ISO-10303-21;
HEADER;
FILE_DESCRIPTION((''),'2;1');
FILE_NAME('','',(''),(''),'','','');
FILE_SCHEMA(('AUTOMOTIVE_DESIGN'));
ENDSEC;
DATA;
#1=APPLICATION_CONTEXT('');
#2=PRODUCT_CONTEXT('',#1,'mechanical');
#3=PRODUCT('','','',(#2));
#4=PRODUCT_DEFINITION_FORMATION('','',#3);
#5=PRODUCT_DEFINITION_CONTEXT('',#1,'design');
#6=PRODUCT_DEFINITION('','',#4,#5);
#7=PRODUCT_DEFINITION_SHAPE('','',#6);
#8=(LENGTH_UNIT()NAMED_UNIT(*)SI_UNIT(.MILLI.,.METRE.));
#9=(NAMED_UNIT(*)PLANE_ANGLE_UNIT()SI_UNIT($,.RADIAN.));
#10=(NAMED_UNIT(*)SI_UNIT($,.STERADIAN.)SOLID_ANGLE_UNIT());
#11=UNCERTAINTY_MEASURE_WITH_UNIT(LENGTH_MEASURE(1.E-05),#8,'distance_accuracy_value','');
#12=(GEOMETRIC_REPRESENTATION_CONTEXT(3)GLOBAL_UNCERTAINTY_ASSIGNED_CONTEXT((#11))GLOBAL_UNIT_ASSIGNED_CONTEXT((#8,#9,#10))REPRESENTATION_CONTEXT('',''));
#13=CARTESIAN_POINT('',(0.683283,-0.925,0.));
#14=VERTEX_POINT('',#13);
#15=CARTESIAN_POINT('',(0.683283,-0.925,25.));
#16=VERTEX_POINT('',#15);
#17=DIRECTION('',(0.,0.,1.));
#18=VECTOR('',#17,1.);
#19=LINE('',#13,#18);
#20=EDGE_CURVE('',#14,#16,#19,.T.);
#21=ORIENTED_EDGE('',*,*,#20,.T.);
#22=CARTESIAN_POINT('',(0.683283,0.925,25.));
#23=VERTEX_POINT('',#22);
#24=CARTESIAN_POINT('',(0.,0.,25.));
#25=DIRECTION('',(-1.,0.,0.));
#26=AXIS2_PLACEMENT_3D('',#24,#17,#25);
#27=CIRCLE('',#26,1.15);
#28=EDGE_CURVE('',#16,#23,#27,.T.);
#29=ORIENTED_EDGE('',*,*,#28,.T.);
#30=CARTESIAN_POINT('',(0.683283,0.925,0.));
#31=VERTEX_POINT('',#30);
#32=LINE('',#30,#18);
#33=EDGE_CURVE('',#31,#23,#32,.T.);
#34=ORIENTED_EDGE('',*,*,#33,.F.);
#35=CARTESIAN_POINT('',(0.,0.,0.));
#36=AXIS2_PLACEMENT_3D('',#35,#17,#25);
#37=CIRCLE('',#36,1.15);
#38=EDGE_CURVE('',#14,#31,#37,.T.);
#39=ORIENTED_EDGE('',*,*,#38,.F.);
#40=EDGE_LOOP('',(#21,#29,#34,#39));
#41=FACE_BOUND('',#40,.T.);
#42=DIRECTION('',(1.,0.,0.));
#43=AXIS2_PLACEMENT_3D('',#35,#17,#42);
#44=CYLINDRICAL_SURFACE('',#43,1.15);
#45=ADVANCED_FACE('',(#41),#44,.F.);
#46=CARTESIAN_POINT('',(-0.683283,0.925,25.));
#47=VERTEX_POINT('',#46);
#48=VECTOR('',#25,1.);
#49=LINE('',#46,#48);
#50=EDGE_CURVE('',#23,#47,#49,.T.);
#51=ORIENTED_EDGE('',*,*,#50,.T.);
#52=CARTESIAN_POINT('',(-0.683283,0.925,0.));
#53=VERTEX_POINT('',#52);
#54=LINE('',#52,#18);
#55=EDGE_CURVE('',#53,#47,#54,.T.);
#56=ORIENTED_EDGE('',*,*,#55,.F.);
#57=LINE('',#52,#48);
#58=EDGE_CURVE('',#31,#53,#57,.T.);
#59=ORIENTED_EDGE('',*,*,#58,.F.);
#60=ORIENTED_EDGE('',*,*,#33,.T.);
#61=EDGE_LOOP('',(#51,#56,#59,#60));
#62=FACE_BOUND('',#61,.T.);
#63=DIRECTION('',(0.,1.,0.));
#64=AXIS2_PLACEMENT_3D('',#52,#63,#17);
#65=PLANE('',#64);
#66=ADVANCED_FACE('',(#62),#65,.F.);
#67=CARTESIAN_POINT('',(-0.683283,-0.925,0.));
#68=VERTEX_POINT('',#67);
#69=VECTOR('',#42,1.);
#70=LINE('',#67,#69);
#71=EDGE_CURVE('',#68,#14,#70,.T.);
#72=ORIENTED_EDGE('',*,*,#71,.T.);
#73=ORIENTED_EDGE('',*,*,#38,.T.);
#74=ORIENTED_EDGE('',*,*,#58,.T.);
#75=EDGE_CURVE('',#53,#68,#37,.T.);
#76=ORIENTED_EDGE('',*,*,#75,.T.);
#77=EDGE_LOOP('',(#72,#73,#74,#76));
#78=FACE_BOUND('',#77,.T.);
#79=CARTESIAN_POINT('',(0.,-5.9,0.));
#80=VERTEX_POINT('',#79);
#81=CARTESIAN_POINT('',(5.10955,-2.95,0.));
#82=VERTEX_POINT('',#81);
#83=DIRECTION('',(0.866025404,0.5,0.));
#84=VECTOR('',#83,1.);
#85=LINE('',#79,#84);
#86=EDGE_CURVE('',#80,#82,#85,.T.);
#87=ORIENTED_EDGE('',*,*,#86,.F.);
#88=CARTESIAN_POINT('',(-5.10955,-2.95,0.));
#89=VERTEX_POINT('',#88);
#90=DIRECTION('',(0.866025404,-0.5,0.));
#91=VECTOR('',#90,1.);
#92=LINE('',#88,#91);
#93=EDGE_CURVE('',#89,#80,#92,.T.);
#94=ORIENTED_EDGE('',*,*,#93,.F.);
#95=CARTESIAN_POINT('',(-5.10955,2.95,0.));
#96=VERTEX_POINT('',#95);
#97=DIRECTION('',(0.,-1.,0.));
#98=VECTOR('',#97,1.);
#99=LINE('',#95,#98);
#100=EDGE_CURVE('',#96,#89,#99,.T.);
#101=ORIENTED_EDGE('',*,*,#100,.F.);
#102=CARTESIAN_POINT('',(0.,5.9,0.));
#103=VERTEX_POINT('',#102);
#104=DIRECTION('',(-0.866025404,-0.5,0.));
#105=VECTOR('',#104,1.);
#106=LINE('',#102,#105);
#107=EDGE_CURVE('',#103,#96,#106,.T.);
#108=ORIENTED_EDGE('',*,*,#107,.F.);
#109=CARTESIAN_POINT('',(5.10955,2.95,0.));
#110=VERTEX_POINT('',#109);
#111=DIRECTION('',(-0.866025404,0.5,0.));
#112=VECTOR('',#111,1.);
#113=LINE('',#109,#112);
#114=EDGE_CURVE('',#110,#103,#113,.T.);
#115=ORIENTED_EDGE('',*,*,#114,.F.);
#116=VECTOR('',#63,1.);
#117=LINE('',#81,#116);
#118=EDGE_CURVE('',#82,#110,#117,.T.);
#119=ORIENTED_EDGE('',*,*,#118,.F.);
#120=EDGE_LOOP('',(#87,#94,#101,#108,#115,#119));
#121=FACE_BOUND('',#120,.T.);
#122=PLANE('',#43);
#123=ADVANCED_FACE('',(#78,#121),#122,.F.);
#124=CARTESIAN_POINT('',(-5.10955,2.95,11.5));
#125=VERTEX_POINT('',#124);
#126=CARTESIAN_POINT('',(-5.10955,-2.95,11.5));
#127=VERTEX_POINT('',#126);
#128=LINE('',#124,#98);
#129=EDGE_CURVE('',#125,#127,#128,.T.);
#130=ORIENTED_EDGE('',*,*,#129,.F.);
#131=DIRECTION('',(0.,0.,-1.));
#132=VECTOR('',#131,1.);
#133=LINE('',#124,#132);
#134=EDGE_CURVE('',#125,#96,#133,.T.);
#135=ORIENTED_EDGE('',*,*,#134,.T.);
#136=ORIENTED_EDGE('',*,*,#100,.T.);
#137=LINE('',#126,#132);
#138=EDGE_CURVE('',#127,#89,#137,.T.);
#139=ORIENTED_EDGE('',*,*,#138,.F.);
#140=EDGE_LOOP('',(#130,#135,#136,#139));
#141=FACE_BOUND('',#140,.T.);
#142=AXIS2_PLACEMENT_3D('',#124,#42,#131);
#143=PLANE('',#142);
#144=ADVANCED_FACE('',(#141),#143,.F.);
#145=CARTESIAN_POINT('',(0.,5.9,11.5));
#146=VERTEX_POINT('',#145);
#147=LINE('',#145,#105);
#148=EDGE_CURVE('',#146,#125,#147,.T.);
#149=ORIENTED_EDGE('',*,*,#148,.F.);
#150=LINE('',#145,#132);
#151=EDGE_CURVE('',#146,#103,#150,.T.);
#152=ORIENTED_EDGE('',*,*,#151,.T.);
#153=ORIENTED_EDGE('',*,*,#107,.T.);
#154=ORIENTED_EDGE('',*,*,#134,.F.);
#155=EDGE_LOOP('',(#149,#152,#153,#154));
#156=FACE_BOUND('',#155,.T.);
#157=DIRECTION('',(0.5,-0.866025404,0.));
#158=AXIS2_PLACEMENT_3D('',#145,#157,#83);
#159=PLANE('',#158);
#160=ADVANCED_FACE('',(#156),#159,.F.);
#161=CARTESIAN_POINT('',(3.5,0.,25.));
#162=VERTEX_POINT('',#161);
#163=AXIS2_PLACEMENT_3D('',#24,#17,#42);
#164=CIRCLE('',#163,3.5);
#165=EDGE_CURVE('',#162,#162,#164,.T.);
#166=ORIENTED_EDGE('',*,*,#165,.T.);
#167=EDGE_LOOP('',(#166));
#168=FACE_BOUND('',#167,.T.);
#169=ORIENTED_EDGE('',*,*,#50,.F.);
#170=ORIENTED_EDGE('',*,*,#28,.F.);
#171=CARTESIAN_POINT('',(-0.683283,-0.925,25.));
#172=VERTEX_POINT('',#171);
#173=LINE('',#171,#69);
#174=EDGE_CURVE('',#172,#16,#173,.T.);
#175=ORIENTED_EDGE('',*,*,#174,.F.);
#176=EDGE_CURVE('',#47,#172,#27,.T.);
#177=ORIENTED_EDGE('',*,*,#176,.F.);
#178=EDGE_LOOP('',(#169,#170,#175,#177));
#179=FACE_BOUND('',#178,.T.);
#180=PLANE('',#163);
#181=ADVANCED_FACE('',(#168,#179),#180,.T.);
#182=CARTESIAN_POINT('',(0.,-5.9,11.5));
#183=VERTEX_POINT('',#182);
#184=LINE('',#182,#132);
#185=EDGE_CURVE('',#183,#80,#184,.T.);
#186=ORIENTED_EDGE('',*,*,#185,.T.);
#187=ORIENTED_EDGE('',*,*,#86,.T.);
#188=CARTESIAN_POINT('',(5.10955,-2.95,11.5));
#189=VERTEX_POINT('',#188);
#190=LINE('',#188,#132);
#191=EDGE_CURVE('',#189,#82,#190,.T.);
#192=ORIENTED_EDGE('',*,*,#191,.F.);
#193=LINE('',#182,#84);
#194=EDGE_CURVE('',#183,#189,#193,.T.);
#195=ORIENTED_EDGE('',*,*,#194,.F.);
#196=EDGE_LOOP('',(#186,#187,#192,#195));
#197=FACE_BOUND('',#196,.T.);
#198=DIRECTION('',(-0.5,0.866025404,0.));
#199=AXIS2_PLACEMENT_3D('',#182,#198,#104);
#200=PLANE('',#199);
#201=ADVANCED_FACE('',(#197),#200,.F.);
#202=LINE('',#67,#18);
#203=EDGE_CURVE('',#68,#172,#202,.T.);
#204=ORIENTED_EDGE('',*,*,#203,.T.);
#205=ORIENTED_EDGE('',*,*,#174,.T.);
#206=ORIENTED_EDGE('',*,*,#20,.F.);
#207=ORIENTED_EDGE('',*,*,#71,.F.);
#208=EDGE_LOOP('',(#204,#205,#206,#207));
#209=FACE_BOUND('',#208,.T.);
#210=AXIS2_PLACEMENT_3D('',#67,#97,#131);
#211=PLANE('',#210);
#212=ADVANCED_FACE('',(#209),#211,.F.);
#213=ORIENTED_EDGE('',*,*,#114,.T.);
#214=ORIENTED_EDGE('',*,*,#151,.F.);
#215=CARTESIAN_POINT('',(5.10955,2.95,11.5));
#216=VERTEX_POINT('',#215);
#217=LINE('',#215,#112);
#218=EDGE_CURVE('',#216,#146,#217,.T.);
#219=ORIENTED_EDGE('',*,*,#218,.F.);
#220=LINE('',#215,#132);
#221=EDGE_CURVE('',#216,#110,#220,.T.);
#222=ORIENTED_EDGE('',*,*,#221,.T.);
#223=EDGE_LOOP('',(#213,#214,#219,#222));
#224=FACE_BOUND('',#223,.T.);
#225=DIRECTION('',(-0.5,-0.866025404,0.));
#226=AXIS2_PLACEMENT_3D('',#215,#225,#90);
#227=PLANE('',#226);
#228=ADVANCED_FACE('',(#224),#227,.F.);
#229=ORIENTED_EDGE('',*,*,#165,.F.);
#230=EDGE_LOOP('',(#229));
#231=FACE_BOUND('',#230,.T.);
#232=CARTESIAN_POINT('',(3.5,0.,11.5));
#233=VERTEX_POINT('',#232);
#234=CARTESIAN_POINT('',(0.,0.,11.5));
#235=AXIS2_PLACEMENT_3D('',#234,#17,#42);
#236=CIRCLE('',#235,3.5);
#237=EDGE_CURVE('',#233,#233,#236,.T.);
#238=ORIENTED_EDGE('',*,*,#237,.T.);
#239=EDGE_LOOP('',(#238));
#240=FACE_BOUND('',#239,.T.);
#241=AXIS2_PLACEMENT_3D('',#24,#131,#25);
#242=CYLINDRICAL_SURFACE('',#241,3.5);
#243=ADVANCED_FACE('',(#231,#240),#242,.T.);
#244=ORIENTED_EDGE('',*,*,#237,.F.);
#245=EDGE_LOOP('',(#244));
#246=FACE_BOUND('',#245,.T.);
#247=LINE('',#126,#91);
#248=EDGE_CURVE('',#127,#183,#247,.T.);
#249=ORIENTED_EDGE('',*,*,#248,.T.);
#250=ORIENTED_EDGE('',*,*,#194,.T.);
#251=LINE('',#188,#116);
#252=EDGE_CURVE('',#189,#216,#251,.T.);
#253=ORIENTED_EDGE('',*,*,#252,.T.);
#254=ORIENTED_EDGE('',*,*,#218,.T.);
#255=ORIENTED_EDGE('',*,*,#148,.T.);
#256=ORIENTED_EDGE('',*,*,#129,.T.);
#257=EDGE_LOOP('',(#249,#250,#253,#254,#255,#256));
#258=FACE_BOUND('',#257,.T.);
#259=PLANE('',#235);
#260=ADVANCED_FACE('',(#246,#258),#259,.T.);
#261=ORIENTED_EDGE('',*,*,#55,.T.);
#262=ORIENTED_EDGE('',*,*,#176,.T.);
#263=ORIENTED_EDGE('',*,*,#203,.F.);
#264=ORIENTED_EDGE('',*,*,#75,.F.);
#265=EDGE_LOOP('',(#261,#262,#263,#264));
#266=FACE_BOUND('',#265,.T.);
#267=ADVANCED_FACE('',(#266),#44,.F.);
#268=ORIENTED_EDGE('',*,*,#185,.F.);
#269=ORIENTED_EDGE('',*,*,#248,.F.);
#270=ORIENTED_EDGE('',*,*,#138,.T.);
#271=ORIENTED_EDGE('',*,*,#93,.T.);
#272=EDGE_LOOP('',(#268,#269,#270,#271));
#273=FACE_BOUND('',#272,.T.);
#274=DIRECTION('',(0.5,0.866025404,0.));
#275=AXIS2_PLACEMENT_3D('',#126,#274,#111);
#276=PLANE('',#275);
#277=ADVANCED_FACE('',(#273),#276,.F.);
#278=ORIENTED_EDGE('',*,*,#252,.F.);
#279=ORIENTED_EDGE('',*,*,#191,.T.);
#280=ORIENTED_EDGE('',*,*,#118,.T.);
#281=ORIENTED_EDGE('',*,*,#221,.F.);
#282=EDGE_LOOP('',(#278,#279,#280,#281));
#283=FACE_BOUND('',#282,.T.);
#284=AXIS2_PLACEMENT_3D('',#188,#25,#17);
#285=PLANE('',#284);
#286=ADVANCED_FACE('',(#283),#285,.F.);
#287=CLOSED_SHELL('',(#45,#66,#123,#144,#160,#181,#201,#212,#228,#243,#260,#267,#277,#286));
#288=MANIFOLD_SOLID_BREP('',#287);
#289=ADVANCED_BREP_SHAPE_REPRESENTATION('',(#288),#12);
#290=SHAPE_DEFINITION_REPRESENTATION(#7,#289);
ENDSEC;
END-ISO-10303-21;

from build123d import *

# Parameters (mm, degrees)
BOSS_EXTRUDE1_DEPTH = 11.5
SKETCH2_R           = 3.5
BOSS_EXTRUDE2_DEPTH = 13.5
CUT_EXTRUDE2_DEPTH  = 27.190026728


with BuildPart() as part:
    # Sketch1 → Boss-Extrude1 (new body)
    with BuildSketch(Plane.XY):
        Polygon((5.109549882, -2.95), (5.109549882, 2.95), (0, 5.9), (-5.109549882, 2.95), (-5.109549882, -2.95), (0, -5.9), align=None)
    extrude(amount=BOSS_EXTRUDE1_DEPTH)

    # Sketch2 → Boss-Extrude2 (add)
    with BuildSketch(Plane.XY.offset(11.5)):
        Circle(SKETCH2_R)
    extrude(amount=BOSS_EXTRUDE2_DEPTH)

    # Sketch4 → Cut-Extrude2 (cut, through all)
    with BuildSketch(Plane.XY.offset(25)):
        with BuildLine():
            Line((-0.683282518, 0.925), (0.683282518, 0.925))
            ThreePointArc((0.683282518, 0.925), (1.15, 0), (0.683282518, -0.925))
            Line((0.683282518, -0.925), (-0.683282518, -0.925))
            ThreePointArc((-0.683282518, -0.925), (-1.15, 0), (-0.683282518, 0.925))
        make_face()
    extrude(amount=-CUT_EXTRUDE2_DEPTH, mode=Mode.SUBTRACT)


solid = part.part
